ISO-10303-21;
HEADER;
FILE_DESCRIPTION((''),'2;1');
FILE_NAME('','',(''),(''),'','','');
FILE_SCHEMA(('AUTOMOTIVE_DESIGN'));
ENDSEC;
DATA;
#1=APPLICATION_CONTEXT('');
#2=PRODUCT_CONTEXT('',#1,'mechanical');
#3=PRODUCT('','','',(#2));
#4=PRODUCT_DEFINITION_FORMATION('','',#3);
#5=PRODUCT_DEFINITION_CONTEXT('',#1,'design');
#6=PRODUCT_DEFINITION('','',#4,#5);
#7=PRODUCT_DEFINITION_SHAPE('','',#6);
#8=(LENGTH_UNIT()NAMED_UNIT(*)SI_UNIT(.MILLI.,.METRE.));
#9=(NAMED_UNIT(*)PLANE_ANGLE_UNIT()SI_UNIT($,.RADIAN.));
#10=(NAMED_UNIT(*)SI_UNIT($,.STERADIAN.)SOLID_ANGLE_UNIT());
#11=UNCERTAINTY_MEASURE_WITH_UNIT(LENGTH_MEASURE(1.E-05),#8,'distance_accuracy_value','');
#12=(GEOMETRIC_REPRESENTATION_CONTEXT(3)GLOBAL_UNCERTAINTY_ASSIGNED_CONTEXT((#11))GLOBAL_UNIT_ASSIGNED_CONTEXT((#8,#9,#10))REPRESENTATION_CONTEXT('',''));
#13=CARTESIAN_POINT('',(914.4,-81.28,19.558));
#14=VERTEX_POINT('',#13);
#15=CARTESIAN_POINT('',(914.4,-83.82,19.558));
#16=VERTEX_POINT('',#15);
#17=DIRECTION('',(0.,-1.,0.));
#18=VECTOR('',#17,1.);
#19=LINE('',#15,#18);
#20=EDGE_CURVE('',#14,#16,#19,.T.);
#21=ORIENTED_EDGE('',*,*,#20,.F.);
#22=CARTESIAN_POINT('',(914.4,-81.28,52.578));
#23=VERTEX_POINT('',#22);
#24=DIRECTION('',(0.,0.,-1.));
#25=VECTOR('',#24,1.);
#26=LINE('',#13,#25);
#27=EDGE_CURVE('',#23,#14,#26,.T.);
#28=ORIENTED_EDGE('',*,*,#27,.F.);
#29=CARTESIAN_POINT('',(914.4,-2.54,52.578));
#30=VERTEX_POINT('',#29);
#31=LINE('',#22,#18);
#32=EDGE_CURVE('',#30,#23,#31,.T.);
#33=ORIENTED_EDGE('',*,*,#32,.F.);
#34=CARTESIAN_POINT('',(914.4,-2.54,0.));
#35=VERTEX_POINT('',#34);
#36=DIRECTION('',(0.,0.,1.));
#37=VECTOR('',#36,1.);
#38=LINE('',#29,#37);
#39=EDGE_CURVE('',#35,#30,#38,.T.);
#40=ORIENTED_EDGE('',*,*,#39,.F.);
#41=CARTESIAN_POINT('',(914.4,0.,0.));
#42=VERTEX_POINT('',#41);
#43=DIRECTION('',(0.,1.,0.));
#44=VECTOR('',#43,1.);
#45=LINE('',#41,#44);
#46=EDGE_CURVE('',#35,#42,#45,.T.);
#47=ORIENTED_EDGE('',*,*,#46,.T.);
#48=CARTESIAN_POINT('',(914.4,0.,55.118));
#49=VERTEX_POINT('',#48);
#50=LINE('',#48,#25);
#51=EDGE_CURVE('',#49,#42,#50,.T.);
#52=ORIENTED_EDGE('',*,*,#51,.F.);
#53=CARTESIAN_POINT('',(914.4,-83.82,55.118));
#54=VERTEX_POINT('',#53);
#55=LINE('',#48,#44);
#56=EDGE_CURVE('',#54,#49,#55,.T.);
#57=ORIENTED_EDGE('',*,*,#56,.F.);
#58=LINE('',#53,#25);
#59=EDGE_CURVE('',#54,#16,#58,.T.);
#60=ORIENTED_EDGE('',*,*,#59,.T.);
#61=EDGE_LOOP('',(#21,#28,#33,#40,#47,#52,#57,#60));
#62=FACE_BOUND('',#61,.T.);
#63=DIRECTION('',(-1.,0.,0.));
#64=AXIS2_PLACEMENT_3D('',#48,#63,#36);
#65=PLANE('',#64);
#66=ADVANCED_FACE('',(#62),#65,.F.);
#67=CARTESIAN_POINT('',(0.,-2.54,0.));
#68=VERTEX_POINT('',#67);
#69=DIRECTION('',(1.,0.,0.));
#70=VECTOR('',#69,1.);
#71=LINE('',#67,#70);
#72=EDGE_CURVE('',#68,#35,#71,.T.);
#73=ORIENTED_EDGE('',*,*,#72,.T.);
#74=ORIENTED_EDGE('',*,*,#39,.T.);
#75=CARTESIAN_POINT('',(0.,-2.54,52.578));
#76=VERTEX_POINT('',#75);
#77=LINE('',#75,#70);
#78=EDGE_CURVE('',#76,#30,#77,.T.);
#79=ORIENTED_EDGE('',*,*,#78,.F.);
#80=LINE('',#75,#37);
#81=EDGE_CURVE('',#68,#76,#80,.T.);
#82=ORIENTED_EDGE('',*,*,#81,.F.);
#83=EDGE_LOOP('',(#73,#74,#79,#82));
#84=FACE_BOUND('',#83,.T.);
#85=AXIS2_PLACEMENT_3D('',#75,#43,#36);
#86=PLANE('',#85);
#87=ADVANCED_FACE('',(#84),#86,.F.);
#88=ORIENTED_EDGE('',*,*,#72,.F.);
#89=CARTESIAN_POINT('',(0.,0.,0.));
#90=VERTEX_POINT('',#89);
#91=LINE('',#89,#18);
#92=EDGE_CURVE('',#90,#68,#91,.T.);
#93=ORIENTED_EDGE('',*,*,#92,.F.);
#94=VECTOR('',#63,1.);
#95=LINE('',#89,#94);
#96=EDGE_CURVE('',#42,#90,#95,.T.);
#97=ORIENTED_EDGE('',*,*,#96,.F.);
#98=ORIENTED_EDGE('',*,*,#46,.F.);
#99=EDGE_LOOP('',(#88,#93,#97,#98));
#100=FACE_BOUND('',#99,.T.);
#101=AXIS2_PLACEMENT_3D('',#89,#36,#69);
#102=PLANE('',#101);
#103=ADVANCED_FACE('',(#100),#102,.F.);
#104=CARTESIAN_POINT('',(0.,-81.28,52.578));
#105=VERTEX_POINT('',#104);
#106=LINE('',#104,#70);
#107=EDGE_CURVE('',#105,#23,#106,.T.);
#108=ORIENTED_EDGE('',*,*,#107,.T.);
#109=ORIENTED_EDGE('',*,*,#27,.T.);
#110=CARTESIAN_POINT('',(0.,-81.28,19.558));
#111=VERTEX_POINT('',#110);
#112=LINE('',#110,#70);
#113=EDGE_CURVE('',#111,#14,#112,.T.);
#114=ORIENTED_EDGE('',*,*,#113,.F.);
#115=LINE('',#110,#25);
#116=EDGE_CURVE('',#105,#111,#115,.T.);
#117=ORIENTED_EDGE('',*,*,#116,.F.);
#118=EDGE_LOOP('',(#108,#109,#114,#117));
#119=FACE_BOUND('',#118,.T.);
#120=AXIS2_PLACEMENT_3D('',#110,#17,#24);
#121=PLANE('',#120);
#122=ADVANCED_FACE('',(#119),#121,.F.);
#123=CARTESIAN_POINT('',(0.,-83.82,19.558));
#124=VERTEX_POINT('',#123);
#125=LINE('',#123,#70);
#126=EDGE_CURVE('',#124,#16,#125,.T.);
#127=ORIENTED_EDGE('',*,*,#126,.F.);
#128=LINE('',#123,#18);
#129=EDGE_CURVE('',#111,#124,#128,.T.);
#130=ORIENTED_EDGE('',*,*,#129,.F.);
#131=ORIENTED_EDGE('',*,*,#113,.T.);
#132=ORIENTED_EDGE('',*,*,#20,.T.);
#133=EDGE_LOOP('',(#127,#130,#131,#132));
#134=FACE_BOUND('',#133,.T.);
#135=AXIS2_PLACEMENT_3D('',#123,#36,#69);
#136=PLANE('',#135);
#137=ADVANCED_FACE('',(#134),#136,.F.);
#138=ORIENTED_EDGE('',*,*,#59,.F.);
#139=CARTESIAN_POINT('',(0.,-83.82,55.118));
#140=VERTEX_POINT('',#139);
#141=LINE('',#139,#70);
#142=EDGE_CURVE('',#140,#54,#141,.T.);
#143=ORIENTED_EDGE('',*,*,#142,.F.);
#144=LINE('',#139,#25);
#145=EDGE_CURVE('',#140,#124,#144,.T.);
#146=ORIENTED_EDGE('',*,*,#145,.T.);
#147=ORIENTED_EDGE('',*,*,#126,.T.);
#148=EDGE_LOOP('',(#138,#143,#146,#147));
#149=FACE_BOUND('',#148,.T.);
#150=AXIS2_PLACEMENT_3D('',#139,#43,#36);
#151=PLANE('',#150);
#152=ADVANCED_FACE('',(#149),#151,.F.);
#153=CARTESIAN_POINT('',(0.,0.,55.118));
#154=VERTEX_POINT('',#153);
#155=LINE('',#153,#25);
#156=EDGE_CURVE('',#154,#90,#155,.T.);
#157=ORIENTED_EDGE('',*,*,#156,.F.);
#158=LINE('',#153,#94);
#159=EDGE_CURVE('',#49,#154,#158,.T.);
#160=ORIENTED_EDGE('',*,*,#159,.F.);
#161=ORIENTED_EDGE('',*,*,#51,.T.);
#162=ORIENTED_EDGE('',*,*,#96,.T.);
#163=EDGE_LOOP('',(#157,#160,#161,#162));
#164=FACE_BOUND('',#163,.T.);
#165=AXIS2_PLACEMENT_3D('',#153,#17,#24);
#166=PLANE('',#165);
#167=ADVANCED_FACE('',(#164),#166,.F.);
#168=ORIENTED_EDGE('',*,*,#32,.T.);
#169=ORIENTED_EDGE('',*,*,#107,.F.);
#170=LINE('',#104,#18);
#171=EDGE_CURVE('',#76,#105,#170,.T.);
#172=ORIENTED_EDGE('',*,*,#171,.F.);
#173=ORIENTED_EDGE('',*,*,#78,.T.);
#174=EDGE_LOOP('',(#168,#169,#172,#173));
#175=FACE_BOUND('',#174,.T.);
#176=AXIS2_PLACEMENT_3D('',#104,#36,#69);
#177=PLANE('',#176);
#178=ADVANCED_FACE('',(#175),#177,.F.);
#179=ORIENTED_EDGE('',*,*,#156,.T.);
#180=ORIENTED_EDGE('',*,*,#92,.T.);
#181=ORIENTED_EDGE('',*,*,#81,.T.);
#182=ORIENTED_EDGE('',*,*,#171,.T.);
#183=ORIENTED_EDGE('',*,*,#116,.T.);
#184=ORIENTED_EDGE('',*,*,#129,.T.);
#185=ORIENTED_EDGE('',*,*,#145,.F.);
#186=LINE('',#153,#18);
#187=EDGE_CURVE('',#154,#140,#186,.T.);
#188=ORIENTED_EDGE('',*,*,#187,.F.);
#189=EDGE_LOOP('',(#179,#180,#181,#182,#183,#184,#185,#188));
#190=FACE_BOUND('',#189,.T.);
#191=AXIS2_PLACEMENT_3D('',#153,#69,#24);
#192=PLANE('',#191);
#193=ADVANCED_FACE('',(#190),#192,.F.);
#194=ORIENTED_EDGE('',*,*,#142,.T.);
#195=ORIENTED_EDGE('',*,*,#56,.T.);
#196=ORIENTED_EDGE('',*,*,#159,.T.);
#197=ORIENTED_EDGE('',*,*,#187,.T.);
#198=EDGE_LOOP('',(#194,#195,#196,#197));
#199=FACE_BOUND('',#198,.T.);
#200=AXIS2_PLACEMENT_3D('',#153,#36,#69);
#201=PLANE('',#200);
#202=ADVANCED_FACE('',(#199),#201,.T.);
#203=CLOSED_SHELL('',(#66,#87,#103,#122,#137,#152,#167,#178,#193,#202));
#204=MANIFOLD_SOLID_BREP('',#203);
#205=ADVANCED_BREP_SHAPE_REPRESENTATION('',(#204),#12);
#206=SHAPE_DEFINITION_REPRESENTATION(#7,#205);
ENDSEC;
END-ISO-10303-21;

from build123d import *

# Parameters (mm, degrees)
SKETCH1_W           = 914.4
SKETCH1_H           = 83.82
BOSS_EXTRUDE1_DEPTH = 55.118
CUT_EXTRUDE1_DEPTH  = 920.886485564


with BuildPart() as part:
    # Sketch1 → Boss-Extrude1 (new body)
    with BuildSketch(Plane.XY):
        with Locations((457.2, -41.91)):
            Rectangle(SKETCH1_W, SKETCH1_H)
    extrude(amount=BOSS_EXTRUDE1_DEPTH)

    # Sketch2 → Cut-Extrude1 (cut, through all)
    with BuildSketch(Plane(origin=(914.4, 0, 0), x_dir=(0, 0, -1), z_dir=(1, 0, 0))):
        Polygon((-19.558, -83.82), (-19.558, -81.28), (-52.578, -81.28), (-52.578, -2.54), (0, -2.54), (0, -83.82), align=None)
    extrude(amount=-CUT_EXTRUDE1_DEPTH, mode=Mode.SUBTRACT)


solid = part.part
